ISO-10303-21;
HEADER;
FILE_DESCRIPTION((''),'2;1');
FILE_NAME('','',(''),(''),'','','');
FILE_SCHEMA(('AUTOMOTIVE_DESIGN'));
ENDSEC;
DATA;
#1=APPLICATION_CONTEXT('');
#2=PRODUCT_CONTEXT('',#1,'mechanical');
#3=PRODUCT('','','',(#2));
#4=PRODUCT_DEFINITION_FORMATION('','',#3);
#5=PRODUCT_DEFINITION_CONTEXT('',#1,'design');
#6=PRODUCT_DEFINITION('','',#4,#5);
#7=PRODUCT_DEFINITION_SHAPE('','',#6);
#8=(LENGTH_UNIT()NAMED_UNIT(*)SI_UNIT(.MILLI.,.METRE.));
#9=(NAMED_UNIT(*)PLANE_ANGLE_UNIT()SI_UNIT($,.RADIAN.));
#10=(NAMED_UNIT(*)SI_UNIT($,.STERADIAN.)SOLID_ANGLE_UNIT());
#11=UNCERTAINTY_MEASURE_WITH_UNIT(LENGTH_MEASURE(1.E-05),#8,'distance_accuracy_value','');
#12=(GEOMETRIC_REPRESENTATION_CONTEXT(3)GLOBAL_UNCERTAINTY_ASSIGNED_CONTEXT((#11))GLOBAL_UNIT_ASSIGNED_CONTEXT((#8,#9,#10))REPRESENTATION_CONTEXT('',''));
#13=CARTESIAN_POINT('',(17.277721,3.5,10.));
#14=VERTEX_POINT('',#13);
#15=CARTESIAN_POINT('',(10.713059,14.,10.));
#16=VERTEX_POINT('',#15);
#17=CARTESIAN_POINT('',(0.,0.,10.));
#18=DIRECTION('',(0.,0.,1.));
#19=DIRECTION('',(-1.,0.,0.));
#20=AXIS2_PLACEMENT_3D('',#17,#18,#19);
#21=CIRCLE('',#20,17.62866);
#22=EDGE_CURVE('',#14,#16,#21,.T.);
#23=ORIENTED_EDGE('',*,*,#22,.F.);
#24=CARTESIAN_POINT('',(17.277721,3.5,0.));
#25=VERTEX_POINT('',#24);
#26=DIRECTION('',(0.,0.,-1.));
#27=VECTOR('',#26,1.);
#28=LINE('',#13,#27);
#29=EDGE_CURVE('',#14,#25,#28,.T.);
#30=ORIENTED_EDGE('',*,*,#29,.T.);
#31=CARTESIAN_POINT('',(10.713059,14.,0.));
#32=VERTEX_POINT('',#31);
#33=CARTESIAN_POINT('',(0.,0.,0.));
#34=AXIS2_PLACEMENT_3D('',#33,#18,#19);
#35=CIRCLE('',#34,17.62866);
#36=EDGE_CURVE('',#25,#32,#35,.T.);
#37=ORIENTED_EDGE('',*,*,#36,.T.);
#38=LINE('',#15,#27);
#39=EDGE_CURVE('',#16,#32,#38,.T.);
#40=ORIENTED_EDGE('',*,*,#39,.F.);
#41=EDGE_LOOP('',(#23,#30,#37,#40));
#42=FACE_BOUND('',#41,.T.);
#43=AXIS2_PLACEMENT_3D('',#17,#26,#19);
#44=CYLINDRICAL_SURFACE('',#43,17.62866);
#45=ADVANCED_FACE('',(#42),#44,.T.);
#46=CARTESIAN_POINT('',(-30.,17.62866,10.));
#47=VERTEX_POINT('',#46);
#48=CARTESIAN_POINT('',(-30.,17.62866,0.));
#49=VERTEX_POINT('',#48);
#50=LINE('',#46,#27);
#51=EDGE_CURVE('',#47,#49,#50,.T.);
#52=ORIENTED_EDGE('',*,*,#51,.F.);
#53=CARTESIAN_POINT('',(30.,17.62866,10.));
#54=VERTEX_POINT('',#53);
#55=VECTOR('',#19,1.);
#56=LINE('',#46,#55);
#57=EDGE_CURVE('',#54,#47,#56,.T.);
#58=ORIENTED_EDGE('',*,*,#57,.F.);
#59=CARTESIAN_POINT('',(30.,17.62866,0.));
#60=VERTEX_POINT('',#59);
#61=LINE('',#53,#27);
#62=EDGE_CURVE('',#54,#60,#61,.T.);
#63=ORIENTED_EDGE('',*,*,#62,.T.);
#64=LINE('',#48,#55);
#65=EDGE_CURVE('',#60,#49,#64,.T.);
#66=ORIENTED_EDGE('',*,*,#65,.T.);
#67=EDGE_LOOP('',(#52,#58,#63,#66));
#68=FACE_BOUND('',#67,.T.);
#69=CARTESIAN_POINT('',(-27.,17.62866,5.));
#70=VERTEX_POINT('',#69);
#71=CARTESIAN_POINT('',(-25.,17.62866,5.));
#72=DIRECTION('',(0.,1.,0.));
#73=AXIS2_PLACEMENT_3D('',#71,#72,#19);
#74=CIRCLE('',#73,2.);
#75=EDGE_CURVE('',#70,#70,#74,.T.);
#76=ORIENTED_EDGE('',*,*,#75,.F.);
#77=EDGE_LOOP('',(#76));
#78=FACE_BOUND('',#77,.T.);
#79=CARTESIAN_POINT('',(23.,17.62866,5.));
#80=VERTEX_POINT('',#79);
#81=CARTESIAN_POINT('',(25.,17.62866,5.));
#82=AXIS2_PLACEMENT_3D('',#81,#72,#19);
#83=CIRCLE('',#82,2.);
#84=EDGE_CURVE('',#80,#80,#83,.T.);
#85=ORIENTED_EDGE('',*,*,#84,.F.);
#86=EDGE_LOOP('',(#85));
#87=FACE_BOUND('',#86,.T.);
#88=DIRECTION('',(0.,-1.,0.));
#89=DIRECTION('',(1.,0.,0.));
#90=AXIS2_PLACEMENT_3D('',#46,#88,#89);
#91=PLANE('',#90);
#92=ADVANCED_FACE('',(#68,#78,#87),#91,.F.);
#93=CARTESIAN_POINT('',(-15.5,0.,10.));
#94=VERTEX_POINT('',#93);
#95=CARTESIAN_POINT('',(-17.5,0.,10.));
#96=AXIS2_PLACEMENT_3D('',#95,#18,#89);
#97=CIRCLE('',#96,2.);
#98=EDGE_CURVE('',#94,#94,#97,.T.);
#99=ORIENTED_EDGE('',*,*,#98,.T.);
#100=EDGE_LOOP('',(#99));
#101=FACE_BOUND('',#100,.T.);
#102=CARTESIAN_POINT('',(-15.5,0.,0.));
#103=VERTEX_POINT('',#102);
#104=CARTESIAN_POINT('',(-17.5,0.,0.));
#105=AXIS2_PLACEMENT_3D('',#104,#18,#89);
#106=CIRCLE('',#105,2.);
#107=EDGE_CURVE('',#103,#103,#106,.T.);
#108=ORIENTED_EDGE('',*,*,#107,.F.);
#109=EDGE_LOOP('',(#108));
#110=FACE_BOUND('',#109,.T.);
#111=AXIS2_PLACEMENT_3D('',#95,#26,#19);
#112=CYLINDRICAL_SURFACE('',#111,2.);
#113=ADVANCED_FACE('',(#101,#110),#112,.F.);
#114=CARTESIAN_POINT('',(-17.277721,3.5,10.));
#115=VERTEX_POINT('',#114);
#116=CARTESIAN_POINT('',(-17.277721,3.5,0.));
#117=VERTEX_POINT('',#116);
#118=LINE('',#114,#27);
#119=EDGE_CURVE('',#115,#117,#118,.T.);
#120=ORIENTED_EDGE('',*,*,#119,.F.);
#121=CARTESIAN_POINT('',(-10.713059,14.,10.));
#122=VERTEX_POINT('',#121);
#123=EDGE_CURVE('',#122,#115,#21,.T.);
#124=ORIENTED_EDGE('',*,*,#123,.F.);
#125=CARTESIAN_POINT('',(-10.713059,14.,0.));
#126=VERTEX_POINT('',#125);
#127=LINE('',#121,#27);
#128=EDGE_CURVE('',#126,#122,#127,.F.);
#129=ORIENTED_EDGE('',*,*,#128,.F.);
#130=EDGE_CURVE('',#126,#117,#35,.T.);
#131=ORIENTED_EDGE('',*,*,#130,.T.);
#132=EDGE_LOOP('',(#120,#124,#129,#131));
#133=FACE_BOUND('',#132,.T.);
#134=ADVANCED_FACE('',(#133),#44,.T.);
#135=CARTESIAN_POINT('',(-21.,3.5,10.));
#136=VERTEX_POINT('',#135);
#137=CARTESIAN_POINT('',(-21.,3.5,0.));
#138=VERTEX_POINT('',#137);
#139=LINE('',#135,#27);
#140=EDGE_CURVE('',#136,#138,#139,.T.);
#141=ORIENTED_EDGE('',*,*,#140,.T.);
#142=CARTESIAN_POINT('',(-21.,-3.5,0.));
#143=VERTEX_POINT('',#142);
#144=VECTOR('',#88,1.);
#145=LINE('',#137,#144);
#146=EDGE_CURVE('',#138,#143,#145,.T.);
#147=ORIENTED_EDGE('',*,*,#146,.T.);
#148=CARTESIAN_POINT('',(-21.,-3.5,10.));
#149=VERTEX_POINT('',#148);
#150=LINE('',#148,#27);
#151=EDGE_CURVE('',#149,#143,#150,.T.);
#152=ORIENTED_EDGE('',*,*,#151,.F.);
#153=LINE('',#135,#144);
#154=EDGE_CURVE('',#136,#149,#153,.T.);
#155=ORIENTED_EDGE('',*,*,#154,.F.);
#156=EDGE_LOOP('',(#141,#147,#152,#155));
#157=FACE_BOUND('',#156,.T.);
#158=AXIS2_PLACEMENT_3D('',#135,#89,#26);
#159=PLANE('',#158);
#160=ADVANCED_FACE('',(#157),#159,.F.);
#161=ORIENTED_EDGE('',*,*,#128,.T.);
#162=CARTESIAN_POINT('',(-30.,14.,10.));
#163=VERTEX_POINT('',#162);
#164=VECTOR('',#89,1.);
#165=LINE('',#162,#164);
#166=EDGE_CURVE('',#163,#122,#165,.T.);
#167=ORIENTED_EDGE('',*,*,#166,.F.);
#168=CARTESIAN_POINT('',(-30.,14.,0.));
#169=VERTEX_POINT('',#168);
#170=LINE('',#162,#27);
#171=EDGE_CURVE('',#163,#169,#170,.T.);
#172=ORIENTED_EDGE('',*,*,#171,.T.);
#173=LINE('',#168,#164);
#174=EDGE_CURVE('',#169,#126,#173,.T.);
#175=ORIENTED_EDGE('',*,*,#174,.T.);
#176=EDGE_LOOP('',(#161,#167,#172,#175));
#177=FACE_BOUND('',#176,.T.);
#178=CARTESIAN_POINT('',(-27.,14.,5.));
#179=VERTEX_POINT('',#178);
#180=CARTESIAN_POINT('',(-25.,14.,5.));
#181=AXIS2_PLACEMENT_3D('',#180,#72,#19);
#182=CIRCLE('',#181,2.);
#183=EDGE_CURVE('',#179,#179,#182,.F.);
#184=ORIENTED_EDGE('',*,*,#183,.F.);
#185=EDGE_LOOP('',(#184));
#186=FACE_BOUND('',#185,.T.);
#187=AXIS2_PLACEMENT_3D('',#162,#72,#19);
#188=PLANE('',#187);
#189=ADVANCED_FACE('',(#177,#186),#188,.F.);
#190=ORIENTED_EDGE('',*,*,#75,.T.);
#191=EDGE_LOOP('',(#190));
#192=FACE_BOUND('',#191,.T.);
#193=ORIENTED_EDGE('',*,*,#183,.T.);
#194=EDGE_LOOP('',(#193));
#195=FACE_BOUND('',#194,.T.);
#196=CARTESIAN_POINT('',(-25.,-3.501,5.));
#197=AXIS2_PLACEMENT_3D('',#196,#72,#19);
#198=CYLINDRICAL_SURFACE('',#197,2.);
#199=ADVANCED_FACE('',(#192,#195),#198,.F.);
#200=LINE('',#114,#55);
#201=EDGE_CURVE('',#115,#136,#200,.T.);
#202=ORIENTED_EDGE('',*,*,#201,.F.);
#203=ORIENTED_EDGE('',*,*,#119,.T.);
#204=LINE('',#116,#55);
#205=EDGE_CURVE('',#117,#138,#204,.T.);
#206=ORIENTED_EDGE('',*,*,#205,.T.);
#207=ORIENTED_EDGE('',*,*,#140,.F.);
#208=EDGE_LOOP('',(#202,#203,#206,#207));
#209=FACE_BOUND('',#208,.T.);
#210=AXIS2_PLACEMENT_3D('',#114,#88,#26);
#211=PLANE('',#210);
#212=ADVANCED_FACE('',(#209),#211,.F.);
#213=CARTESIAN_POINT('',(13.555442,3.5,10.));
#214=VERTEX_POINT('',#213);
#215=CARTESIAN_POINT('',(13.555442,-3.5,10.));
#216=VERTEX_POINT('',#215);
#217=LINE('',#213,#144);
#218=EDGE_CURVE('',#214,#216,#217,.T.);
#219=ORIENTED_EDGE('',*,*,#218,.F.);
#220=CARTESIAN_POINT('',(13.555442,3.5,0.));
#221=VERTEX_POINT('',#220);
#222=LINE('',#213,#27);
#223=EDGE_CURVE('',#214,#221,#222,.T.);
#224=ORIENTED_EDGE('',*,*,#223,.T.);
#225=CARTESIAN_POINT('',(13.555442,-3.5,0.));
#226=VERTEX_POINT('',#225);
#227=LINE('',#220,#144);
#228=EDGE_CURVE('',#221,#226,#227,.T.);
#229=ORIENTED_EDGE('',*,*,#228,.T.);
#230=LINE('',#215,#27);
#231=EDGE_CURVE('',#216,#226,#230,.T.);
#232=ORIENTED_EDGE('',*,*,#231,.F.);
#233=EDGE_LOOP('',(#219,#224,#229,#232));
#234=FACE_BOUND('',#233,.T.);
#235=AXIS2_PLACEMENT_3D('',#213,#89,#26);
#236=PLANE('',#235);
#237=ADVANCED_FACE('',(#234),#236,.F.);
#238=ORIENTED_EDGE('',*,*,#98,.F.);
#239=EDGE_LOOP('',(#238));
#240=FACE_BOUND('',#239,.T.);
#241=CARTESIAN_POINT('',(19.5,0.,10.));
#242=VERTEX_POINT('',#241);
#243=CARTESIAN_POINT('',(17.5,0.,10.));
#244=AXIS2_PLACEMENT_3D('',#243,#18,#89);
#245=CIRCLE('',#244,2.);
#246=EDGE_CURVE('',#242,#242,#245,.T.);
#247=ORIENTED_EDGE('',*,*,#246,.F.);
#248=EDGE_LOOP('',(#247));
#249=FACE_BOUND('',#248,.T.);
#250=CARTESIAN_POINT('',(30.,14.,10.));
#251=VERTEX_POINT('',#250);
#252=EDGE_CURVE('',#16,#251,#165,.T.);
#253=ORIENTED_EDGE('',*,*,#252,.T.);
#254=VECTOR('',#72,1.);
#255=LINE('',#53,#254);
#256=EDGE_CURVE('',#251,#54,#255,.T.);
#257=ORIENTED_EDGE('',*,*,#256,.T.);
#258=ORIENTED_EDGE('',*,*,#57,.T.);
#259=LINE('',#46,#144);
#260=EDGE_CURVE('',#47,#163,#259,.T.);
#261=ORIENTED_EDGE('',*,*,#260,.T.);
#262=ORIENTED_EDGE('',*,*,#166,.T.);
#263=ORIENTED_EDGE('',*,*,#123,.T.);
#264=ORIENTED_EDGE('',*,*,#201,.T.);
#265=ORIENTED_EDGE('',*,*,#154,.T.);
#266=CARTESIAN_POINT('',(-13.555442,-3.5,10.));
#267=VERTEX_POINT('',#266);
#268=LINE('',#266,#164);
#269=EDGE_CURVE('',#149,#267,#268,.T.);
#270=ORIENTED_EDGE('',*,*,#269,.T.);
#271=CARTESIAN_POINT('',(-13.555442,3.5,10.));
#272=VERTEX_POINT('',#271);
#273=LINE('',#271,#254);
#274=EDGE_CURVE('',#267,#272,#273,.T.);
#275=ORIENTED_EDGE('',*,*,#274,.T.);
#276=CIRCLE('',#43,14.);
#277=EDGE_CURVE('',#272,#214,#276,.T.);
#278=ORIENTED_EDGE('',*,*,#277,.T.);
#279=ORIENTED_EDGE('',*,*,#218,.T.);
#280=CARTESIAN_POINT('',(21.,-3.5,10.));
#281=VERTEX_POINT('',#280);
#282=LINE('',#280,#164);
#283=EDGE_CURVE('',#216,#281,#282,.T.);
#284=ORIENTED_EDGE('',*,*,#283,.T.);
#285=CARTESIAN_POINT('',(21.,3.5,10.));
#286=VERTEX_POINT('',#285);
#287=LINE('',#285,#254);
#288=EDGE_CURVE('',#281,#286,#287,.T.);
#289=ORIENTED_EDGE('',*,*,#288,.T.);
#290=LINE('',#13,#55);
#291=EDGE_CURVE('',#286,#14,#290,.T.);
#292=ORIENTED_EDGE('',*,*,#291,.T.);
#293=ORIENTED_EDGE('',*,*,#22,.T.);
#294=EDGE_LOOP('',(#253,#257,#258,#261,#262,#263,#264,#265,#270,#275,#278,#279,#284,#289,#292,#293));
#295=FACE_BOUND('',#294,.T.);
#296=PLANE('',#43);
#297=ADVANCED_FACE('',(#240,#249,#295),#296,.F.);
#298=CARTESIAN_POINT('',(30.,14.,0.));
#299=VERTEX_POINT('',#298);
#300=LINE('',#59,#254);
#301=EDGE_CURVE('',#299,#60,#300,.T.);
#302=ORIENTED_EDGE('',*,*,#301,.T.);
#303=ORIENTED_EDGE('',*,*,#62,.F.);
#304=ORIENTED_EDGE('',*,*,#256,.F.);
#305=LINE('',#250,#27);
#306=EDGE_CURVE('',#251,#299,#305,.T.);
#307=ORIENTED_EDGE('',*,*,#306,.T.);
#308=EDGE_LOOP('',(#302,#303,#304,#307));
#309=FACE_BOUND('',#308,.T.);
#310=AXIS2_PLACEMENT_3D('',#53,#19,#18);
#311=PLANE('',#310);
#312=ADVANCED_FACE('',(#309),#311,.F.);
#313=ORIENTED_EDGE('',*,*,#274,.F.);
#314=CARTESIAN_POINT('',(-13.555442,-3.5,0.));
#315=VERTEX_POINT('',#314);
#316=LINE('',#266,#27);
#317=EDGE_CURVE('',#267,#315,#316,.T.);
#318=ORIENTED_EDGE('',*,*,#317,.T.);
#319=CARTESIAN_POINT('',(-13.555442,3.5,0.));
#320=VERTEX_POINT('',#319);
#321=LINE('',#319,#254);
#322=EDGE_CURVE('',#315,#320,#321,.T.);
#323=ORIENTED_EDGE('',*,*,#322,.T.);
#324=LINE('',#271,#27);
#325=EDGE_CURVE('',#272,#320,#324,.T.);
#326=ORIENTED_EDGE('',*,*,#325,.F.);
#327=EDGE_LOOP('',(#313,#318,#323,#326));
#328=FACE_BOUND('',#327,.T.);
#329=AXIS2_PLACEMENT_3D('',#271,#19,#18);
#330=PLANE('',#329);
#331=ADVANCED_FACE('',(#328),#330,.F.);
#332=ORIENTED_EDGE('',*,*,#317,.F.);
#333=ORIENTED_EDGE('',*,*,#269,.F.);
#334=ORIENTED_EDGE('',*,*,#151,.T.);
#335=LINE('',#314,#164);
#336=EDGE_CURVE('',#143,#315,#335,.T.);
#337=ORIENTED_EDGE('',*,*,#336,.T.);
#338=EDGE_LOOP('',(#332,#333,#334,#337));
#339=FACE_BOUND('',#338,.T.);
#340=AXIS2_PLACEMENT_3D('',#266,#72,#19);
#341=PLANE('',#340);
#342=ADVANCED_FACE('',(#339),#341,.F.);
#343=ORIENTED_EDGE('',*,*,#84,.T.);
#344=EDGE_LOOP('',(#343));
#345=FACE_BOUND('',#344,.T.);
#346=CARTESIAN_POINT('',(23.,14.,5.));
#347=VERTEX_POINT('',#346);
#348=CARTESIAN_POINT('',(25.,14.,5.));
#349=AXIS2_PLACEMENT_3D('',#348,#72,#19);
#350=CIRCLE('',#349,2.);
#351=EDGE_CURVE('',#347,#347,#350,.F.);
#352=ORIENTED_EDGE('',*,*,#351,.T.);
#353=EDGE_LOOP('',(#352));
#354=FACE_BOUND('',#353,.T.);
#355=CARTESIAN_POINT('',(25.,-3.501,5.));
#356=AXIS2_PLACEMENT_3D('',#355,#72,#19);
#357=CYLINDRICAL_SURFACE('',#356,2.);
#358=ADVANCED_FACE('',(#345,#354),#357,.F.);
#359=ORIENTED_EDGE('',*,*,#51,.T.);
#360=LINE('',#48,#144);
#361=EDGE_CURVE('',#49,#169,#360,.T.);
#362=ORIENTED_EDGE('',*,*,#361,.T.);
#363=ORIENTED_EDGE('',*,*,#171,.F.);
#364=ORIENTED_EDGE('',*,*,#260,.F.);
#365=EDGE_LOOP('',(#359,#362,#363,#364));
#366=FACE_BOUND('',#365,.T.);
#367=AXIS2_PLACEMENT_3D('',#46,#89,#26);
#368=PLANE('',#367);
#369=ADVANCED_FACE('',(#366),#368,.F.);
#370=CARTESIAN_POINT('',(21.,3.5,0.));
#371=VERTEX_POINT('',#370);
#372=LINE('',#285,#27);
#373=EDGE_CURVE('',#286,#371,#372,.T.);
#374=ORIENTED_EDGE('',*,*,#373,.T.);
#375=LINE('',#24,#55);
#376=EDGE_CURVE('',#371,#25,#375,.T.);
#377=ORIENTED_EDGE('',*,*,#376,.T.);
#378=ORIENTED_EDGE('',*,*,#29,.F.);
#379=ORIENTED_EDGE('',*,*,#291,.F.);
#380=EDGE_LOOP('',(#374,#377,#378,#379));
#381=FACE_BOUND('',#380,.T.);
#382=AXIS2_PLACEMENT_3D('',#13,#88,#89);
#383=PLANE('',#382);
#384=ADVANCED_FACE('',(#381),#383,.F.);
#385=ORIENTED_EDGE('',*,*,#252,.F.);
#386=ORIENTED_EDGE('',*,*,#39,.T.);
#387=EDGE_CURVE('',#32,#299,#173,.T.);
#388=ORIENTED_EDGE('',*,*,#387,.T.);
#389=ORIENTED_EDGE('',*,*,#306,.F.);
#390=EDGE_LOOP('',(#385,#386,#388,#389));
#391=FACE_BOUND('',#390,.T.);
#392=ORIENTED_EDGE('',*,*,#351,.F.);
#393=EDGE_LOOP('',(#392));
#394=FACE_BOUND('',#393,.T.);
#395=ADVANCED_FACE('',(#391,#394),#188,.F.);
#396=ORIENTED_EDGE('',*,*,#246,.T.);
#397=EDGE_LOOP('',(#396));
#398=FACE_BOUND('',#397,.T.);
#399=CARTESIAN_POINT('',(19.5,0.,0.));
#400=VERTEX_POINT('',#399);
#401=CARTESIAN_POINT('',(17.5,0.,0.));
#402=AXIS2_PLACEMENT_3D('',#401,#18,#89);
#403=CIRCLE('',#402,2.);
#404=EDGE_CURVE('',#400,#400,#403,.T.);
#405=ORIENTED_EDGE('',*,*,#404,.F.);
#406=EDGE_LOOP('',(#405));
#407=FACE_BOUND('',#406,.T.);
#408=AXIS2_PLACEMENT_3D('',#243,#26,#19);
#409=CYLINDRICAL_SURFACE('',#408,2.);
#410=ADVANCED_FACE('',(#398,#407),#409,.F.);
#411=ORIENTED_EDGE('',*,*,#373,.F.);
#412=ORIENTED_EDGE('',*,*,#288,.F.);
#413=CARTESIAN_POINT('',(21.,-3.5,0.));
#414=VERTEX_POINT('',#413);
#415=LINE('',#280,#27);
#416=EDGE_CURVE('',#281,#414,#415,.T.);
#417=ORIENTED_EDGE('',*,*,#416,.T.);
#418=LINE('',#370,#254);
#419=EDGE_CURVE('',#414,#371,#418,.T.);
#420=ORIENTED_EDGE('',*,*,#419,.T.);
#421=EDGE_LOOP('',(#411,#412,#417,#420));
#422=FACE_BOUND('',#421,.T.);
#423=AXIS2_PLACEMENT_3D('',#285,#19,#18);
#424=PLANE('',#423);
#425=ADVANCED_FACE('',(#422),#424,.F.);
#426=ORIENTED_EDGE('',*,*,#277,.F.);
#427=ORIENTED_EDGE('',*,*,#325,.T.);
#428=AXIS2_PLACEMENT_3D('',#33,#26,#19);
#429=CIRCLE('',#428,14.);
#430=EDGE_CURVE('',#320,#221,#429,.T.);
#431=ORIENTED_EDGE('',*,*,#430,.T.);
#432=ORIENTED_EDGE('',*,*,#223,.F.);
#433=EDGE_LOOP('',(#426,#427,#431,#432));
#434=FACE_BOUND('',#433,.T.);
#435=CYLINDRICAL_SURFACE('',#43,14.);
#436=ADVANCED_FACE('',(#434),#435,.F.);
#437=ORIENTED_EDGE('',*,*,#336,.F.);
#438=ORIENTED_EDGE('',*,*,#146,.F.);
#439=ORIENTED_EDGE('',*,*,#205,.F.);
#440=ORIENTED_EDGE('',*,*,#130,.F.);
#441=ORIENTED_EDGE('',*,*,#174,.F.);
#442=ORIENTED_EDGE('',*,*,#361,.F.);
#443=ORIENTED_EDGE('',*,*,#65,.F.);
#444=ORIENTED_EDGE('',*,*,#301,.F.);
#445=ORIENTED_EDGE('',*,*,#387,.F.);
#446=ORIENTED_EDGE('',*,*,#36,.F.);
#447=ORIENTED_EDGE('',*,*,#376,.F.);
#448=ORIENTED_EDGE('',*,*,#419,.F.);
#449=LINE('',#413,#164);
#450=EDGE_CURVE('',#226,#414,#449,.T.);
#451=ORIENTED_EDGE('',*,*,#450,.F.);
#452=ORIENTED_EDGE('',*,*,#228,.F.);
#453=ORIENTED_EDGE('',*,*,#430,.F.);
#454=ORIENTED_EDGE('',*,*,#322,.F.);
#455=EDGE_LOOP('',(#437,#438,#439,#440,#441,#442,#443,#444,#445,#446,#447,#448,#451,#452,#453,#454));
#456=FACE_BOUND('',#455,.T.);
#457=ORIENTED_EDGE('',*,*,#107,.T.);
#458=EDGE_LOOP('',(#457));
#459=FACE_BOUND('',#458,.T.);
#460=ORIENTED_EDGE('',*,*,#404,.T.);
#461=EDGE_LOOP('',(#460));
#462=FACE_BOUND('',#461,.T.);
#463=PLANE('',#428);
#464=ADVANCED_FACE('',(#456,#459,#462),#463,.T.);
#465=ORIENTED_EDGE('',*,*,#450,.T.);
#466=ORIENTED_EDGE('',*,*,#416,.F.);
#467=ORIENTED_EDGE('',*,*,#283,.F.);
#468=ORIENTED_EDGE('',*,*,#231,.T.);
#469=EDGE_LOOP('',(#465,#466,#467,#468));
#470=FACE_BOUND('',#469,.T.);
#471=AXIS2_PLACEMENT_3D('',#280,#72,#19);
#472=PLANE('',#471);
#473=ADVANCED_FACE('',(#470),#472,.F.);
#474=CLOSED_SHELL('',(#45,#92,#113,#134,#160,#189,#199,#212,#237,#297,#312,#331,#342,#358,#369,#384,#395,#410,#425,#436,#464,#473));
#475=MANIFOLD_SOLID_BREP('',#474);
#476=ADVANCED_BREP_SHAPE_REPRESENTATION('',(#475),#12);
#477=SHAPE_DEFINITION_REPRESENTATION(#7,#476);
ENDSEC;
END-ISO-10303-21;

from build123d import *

# Parameters (mm, degrees)
ESQUISSE1_R             = 2
BOSS_EXTRU_1_DEPTH      = 10
ESQUISSE3_W             = 60
ESQUISSE3_H             = 3.628659563
BOSS_EXTRU_2_DEPTH      = 10
ENL_V_MAT_EXTRU_1_REACH = 23.129
ESQUISSE4_R             = 2


with BuildPart() as part:
    # Esquisse1 → Boss.-Extru.1 (new body)
    with BuildSketch(Plane.XY):
        with BuildLine():
            Line((-21, 3.5), (-21, -3.5))
            Line((-21, -3.5), (-13.555441712, -3.5))
            Line((-13.555441712, -3.5), (-13.555441712, 3.5))
            ThreePointArc((-13.555441712, 3.5), (0, 14), (13.555441712, 3.5))
            Line((13.555441712, 3.5), (13.555441712, -3.5))
            Line((13.555441712, -3.5), (21, -3.5))
            Line((21, -3.5), (21, 3.5))
            Line((21, 3.5), (17.277720856, 3.5))
            ThreePointArc((17.277720856, 3.5), (0, 17.628659563), (-17.277720856, 3.5))
            Line((-17.277720856, 3.5), (-21, 3.5))
        make_face()
        with Locations((-17.5, 0)):
            Circle(ESQUISSE1_R, mode=Mode.SUBTRACT)
        with Locations((17.5, 0)):
            Circle(ESQUISSE1_R, mode=Mode.SUBTRACT)
    extrude(amount=BOSS_EXTRU_1_DEPTH)

    # Esquisse3 → Boss.-Extru.2 (add)
    with BuildSketch(Plane.XY):
        with Locations((0, 15.814329781)):
            Rectangle(ESQUISSE3_W, ESQUISSE3_H)
    extrude(amount=BOSS_EXTRU_2_DEPTH)

    # Esquisse4 → Enlèv. mat.-Extru.1 (cut, up to next)
    with BuildSketch(Plane(origin=(0, 17.628659563, 0), x_dir=(1, 0, 0), z_dir=(0, 1, 0)), mode=Mode.PRIVATE) as enl_v_mat_extru_1_sk1:
        with Locations((-25, -5)):
            Circle(ESQUISSE4_R)
    enl_v_mat_extru_1_tool1 = extrude(enl_v_mat_extru_1_sk1.sketch, amount=-ENL_V_MAT_EXTRU_1_REACH, mode=Mode.PRIVATE) & part.part
    add(enl_v_mat_extru_1_tool1.solids().sort_by_distance((-25, 17.62866, 5))[0], mode=Mode.SUBTRACT)
    # Esquisse4 → Enlèv. mat.-Extru.1 (cut, up to next)
    with BuildSketch(Plane(origin=(0, 17.628659563, 0), x_dir=(1, 0, 0), z_dir=(0, 1, 0)), mode=Mode.PRIVATE) as enl_v_mat_extru_1_sk2:
        with Locations((25, -5)):
            Circle(ESQUISSE4_R)
    enl_v_mat_extru_1_tool2 = extrude(enl_v_mat_extru_1_sk2.sketch, amount=-ENL_V_MAT_EXTRU_1_REACH, mode=Mode.PRIVATE) & part.part
    add(enl_v_mat_extru_1_tool2.solids().sort_by_distance((25, 17.62866, 5))[0], mode=Mode.SUBTRACT)


solid = part.part
